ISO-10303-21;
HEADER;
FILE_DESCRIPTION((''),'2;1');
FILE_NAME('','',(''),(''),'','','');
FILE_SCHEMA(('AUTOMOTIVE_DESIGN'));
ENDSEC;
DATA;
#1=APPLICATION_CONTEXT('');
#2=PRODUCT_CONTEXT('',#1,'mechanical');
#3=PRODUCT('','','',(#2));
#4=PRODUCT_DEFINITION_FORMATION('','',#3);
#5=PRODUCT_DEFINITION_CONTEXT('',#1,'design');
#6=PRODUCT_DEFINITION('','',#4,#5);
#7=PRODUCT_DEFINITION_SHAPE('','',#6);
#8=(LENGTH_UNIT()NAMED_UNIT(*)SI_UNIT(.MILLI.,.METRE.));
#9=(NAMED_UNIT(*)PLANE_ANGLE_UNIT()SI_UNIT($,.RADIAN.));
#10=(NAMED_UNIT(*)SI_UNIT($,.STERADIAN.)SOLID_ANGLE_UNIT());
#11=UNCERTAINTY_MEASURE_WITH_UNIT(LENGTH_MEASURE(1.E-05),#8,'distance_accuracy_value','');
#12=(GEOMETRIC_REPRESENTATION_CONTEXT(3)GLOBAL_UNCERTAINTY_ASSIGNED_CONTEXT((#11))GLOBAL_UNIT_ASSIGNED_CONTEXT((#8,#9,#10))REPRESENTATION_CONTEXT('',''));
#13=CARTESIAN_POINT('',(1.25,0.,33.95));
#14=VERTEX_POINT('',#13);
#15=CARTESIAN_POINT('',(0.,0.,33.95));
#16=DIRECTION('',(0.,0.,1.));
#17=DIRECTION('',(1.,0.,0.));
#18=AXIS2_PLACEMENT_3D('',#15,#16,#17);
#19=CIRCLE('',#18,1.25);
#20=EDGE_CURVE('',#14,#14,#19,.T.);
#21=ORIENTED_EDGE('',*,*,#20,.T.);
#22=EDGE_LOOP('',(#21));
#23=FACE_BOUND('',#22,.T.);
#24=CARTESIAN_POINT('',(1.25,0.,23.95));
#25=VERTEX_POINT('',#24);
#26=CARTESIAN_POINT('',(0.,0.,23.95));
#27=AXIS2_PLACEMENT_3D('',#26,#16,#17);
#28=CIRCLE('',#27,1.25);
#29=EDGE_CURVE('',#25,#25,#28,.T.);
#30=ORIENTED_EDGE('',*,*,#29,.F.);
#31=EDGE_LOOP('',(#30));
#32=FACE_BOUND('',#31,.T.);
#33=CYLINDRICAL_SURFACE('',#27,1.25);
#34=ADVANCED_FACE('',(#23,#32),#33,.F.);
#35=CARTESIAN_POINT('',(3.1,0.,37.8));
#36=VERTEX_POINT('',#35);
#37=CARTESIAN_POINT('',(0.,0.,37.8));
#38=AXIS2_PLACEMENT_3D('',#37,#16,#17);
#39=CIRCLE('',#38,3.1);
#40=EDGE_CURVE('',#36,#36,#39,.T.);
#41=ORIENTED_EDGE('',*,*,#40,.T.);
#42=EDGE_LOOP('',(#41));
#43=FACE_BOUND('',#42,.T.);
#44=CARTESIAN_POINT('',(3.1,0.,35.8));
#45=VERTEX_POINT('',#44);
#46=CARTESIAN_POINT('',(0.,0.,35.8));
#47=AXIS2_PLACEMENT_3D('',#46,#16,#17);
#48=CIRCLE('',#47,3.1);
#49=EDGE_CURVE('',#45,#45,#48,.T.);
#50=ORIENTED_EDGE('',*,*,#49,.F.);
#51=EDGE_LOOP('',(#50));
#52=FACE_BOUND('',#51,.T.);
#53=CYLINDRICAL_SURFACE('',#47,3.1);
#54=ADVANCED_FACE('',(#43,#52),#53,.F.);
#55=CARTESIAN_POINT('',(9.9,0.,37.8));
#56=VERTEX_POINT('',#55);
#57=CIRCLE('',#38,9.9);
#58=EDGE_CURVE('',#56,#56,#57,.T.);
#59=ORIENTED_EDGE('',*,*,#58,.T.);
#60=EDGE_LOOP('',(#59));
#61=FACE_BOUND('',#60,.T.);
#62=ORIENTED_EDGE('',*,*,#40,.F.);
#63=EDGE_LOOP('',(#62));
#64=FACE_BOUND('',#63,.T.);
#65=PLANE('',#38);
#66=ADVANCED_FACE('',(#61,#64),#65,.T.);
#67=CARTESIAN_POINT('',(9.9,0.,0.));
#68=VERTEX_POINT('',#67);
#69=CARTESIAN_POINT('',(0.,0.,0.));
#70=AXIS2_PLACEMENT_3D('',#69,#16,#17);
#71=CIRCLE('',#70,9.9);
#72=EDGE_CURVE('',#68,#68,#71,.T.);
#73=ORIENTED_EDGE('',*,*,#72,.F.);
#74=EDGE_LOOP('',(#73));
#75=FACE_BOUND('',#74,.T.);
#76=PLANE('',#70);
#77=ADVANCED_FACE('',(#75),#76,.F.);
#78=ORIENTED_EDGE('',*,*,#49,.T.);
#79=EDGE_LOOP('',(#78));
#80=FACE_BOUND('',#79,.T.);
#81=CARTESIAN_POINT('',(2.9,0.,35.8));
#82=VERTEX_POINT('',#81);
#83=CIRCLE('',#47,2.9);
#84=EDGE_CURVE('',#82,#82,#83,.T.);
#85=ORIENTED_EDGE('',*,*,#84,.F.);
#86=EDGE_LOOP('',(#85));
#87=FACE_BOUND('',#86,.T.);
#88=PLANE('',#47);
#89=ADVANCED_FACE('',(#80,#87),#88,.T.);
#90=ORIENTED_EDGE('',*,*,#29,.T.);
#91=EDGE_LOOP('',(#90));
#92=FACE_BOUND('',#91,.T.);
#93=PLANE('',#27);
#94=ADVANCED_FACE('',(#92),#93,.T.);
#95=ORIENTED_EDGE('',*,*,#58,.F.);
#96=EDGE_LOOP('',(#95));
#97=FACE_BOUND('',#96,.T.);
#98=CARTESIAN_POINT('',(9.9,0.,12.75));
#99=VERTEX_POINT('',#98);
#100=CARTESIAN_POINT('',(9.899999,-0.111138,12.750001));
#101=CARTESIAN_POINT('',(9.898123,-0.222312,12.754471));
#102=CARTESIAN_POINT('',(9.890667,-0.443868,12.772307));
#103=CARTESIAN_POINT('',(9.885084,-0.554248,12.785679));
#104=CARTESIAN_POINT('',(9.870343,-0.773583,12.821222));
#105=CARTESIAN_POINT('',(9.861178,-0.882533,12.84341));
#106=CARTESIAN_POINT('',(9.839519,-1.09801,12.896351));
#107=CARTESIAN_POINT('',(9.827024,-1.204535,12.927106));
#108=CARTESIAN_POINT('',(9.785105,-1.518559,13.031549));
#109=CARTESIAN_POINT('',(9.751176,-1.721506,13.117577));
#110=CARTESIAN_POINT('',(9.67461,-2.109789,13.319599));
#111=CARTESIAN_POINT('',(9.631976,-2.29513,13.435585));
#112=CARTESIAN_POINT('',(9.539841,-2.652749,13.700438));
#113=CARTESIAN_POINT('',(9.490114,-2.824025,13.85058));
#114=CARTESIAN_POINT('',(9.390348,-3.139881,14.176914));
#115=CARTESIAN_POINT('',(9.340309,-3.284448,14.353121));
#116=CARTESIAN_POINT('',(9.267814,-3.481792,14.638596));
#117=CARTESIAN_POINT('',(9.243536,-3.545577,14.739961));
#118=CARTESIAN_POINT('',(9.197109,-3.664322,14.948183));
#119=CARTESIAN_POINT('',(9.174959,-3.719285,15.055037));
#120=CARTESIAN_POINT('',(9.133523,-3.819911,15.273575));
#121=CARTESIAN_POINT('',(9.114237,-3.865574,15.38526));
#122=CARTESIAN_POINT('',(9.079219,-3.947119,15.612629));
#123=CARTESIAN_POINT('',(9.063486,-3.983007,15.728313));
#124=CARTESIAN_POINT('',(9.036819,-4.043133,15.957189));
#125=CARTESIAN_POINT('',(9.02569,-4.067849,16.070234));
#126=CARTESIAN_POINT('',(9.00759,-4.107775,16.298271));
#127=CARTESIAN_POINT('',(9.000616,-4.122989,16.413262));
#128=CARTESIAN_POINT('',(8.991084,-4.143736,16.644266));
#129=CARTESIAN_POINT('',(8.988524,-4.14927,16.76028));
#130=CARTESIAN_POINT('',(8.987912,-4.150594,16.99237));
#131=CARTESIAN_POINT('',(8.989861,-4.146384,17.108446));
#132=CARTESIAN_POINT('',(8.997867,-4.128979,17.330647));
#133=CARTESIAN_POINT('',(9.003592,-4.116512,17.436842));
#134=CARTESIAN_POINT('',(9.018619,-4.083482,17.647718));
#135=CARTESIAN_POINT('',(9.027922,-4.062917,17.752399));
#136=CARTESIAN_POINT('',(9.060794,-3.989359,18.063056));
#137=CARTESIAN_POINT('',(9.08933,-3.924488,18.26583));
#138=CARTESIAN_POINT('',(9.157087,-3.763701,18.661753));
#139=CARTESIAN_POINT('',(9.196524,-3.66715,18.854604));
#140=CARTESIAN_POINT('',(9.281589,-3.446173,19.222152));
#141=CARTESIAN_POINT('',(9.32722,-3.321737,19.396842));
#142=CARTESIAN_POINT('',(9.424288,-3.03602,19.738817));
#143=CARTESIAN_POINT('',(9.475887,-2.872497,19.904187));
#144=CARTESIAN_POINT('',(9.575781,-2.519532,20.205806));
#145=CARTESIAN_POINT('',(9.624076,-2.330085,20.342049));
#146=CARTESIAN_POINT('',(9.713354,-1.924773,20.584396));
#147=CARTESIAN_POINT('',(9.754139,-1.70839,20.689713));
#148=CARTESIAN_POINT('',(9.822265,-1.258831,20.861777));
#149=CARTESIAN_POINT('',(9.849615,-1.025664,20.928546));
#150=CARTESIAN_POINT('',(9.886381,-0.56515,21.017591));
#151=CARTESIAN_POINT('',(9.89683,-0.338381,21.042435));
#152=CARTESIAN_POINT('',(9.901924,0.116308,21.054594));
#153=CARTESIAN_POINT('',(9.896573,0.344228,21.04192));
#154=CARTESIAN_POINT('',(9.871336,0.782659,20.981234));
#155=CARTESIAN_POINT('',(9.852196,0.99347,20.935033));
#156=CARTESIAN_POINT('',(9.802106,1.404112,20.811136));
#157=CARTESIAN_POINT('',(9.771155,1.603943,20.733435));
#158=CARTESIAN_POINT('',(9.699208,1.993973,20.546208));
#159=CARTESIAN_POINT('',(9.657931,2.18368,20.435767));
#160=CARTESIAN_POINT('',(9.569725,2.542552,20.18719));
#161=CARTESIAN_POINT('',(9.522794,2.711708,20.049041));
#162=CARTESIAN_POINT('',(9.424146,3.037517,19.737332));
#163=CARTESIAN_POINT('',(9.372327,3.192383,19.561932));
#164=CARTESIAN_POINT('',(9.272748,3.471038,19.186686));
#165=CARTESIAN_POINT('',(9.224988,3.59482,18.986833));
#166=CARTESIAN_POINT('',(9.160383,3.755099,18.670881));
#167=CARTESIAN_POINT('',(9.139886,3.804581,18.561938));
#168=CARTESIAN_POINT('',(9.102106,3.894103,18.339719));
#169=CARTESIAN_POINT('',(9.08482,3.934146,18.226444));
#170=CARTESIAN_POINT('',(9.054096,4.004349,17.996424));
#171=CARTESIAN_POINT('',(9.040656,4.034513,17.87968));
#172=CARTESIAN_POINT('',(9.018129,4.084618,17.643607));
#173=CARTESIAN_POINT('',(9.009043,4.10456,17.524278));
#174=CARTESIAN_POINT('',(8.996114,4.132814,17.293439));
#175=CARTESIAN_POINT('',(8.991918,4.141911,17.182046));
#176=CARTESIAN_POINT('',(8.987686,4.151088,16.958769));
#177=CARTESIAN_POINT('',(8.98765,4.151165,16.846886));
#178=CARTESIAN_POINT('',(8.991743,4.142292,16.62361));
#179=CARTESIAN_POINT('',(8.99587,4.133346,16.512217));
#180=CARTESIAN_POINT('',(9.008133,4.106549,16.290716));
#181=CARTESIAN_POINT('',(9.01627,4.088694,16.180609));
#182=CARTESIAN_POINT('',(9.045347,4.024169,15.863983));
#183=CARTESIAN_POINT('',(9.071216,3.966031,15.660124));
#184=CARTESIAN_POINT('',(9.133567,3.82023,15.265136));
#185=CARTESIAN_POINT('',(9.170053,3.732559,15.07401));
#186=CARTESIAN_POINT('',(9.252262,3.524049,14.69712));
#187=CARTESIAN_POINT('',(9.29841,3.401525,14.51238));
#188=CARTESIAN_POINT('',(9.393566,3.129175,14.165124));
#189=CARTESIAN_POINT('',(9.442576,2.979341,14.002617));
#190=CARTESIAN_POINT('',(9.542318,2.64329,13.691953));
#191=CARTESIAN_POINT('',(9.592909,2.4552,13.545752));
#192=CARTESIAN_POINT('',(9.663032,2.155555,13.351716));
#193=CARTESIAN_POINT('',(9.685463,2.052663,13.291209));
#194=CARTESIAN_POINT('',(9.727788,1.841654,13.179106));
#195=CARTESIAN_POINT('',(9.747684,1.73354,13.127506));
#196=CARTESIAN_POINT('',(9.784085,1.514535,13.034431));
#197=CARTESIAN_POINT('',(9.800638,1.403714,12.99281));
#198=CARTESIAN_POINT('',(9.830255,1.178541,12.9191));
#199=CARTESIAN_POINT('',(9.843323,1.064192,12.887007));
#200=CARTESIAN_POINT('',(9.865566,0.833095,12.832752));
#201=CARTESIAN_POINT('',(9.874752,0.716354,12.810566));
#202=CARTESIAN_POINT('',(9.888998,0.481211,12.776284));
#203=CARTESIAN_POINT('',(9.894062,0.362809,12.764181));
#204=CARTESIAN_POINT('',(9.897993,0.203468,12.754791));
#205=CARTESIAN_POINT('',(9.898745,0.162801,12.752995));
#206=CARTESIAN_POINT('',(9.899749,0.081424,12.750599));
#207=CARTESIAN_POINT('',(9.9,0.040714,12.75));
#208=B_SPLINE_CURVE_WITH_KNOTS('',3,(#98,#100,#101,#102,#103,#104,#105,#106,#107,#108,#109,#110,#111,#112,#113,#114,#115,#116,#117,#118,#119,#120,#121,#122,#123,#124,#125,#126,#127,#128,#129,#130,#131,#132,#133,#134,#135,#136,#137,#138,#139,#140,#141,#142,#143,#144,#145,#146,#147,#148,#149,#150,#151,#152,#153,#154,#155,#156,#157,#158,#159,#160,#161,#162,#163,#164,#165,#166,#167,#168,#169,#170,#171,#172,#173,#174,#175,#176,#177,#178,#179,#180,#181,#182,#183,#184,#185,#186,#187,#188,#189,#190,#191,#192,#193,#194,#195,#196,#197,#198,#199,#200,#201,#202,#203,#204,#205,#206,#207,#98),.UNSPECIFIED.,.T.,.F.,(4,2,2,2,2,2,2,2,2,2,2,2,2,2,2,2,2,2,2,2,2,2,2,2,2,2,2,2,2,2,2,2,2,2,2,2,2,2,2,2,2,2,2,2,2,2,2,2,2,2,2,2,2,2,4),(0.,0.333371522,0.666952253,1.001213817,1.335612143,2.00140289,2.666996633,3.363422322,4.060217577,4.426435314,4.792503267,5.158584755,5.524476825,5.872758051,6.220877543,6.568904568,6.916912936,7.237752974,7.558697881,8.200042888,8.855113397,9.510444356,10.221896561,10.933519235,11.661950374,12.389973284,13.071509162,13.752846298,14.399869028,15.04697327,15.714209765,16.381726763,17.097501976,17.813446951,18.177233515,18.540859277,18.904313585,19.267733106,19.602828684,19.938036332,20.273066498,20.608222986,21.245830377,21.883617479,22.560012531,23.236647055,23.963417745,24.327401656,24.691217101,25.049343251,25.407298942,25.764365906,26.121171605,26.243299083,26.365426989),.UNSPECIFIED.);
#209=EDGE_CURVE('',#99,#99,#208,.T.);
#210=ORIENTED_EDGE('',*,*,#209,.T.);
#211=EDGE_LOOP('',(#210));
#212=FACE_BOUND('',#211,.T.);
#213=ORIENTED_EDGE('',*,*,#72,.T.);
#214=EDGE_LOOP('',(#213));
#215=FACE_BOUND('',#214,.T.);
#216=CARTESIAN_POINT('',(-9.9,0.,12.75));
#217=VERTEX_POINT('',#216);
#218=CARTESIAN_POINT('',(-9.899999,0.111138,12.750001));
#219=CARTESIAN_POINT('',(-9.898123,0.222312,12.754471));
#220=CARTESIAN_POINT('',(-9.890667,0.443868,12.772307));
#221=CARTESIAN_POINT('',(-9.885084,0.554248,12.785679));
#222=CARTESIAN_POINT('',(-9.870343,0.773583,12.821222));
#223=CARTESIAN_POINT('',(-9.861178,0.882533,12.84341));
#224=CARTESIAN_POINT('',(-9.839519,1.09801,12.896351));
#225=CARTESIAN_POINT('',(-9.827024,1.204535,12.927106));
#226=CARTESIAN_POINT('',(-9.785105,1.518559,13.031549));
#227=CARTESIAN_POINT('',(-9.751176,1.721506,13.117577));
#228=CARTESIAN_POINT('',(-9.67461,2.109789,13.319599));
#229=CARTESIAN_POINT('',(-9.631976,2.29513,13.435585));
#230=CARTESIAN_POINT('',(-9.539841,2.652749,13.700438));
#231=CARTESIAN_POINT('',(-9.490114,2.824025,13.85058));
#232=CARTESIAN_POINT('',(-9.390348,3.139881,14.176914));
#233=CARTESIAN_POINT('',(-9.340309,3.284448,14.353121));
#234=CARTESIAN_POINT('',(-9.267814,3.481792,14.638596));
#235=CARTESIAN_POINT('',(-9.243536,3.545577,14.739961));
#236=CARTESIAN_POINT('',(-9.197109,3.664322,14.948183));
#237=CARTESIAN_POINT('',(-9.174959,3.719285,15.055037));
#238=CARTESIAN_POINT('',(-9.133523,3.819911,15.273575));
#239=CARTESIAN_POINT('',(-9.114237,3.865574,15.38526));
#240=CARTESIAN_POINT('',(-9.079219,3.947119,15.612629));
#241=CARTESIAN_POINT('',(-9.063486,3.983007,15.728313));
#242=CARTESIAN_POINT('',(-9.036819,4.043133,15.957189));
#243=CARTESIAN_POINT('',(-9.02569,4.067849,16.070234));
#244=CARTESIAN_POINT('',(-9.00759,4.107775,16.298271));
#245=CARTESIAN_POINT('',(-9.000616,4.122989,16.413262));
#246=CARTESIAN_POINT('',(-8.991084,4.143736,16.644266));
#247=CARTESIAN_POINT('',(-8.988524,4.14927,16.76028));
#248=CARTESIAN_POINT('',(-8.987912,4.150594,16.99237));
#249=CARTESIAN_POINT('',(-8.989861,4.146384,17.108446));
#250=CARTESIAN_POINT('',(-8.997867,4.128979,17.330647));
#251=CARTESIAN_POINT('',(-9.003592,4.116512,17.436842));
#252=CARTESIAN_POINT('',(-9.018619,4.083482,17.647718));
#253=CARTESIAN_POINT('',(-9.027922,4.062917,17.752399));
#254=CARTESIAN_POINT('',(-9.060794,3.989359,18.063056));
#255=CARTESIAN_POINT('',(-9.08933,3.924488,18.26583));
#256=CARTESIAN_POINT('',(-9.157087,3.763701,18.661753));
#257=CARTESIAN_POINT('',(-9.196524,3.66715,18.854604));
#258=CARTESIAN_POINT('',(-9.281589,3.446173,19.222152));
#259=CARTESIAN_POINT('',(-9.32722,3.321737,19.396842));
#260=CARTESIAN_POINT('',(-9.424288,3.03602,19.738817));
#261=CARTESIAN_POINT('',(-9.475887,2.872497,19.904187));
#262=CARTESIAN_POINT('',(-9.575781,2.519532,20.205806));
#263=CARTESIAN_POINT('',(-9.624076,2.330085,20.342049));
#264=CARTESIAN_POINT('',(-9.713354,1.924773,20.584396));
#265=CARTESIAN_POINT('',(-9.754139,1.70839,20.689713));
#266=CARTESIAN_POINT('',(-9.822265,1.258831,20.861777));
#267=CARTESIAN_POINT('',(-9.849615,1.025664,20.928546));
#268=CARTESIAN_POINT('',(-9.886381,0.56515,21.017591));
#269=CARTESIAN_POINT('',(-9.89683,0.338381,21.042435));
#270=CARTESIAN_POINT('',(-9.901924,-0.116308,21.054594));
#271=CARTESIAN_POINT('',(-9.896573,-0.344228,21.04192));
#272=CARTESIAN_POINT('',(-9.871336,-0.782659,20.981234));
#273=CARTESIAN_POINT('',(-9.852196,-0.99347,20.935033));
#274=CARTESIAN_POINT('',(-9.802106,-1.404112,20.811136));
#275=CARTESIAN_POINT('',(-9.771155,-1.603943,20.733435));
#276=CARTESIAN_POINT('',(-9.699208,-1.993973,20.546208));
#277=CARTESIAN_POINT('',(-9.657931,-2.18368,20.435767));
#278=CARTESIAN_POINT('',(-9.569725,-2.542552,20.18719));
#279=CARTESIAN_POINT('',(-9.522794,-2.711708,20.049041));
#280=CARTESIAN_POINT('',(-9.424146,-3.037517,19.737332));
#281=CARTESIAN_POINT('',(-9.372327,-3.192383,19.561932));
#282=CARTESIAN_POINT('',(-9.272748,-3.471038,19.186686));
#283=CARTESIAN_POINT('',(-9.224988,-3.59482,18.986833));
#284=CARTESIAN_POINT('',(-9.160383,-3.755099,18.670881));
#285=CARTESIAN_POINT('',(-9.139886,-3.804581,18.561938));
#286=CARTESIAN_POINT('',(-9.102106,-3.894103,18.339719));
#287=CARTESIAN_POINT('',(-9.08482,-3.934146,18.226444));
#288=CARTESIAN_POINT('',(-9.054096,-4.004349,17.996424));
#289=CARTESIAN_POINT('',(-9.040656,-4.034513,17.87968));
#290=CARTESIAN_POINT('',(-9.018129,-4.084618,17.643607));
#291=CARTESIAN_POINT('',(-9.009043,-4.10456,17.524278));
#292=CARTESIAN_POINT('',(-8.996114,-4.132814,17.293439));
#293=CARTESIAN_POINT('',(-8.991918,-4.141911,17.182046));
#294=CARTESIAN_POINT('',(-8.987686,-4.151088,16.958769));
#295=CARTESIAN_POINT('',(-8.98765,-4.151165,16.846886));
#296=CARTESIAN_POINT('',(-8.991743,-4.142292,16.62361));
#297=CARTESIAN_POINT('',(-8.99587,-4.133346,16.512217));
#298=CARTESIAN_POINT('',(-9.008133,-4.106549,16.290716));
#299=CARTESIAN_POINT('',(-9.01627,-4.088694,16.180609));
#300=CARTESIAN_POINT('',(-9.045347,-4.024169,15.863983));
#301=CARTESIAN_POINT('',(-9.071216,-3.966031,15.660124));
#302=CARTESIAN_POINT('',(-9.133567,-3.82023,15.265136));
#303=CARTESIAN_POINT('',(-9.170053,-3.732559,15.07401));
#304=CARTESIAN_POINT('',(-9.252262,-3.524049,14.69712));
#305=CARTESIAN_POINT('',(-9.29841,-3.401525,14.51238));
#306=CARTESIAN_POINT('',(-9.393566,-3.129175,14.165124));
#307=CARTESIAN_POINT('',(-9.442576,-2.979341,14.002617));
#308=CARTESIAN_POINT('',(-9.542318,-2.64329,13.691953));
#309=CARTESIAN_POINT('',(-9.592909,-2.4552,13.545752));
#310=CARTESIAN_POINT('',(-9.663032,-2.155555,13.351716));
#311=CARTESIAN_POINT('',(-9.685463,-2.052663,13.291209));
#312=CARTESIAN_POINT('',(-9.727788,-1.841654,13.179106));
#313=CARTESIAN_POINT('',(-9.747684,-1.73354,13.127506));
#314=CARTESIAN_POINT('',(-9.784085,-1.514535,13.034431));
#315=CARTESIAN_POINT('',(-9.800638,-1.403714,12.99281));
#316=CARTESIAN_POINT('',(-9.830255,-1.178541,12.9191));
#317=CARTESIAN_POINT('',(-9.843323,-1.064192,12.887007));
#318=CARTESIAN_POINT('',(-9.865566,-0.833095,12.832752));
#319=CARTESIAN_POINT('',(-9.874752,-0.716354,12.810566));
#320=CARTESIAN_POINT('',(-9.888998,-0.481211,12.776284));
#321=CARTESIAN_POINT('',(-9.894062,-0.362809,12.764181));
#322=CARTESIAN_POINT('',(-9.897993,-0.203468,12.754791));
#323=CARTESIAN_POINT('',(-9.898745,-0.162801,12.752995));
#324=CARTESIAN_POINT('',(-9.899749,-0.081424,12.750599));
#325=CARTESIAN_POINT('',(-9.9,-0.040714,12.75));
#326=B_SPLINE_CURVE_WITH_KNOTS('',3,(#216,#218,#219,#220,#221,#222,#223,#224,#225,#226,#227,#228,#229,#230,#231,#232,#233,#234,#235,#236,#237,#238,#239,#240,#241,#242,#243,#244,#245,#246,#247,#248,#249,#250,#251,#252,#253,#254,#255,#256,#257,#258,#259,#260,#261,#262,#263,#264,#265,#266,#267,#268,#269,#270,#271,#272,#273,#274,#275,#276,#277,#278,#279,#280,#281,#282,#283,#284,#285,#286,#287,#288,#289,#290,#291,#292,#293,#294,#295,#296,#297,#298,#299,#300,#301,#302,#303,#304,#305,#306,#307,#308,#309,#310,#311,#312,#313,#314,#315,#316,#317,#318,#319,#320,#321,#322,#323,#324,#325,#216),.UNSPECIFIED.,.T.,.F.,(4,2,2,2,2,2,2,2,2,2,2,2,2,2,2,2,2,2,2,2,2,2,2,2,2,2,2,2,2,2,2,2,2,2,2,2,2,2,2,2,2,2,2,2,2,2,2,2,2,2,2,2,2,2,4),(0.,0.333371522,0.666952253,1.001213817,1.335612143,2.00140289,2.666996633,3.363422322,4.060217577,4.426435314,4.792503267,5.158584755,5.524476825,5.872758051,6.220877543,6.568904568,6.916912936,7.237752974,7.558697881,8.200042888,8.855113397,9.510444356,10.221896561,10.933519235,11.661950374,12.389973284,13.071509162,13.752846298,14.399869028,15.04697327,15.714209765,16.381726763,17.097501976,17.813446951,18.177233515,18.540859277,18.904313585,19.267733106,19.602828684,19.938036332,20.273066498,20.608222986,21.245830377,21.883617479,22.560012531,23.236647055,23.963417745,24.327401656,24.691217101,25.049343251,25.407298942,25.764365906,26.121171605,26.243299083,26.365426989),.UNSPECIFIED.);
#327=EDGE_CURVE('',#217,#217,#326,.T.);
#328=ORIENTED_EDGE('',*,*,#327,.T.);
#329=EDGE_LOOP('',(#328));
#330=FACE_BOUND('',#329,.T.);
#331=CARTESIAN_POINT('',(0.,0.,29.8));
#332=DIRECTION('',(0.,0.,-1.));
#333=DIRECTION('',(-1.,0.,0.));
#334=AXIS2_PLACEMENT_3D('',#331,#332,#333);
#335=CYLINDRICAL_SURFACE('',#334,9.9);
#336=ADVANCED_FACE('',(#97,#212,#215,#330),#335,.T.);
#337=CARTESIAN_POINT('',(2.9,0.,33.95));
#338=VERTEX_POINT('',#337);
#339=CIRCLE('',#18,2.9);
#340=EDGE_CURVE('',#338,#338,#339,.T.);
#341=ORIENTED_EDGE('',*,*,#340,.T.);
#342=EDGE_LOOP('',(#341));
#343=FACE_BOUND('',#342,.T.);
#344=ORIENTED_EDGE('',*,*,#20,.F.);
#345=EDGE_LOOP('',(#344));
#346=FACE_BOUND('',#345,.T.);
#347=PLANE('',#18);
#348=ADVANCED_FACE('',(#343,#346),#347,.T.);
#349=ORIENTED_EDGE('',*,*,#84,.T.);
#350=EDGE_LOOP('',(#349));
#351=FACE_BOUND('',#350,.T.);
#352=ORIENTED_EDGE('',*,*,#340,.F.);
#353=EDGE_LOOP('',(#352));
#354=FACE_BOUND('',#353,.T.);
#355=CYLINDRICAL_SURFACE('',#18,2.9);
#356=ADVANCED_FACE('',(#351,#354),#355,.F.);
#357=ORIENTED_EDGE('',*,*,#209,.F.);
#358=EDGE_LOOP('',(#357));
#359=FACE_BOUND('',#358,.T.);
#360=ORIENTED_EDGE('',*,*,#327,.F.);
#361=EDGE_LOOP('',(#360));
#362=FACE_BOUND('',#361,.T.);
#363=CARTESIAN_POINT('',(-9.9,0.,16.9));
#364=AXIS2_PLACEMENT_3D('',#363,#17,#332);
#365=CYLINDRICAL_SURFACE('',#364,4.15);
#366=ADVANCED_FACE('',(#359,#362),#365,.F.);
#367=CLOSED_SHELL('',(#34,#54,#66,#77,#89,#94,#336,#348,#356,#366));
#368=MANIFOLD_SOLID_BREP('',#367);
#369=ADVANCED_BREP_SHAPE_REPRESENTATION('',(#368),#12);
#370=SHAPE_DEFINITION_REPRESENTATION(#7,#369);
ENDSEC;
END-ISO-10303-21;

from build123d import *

# Parameters (mm, degrees)
SCHIZZO1_R                    = 9.9
ESTRUSIONE_ESTRUSIONE1_DEPTH  = 29.8
TAGLIO_ESTRUSIONE1_DEPTH      = 33.925066439
TAGLIO_ESTRUSIONE1_DEPTH_BACK = 33.925066439
SCHIZZO3_R                    = 4.15
SCHIZZO5_R                    = 9.9
ESTRUSIONE_ESTRUSIONE2_DEPTH  = 8
SCHIZZO6_R                    = 3.1
TAGLIO_ESTRUSIONE3_DEPTH      = 2
SCHIZZO7_R                    = 2.9
TAGLIO_ESTRUSIONE4_DEPTH      = 1.85
SCHIZZO8_R                    = 1.25
TAGLIO_ESTRUSIONE5_DEPTH      = 10


with BuildPart() as part:
    # Schizzo1 → Estrusione-Estrusione1 (new body)
    with BuildSketch(Plane.XY):
        Circle(SCHIZZO1_R)
    extrude(amount=ESTRUSIONE_ESTRUSIONE1_DEPTH)

    # Schizzo3 → Taglio-Estrusione1 (cut, two sides: drawn at the far end of the back side and taken through both)
    with BuildSketch(Plane(origin=(0, 0, 0), x_dir=(0, 0, -1), z_dir=(1, 0, 0)).offset(-TAGLIO_ESTRUSIONE1_DEPTH_BACK)):
        with Locations((-16.9, 0)):
            Circle(SCHIZZO3_R)
    extrude(amount=TAGLIO_ESTRUSIONE1_DEPTH + TAGLIO_ESTRUSIONE1_DEPTH_BACK, mode=Mode.SUBTRACT)

    # Schizzo5 → Estrusione-Estrusione2 (add)
    with BuildSketch(Plane.XY.offset(29.8)):
        Circle(SCHIZZO5_R)
    extrude(amount=ESTRUSIONE_ESTRUSIONE2_DEPTH)

    # Schizzo6 → Taglio-Estrusione3 (cut)
    with BuildSketch(Plane.XY.offset(37.8)):
        Circle(SCHIZZO6_R)
    extrude(amount=-TAGLIO_ESTRUSIONE3_DEPTH, mode=Mode.SUBTRACT)

    # Schizzo7 → Taglio-Estrusione4 (cut)
    with BuildSketch(Plane.XY.offset(35.8)):
        Circle(SCHIZZO7_R)
    extrude(amount=-TAGLIO_ESTRUSIONE4_DEPTH, mode=Mode.SUBTRACT)

    # Schizzo8 → Taglio-Estrusione5 (cut)
    with BuildSketch(Plane.XY.offset(33.95)):
        Circle(SCHIZZO8_R)
    extrude(amount=-TAGLIO_ESTRUSIONE5_DEPTH, mode=Mode.SUBTRACT)


solid = part.part
